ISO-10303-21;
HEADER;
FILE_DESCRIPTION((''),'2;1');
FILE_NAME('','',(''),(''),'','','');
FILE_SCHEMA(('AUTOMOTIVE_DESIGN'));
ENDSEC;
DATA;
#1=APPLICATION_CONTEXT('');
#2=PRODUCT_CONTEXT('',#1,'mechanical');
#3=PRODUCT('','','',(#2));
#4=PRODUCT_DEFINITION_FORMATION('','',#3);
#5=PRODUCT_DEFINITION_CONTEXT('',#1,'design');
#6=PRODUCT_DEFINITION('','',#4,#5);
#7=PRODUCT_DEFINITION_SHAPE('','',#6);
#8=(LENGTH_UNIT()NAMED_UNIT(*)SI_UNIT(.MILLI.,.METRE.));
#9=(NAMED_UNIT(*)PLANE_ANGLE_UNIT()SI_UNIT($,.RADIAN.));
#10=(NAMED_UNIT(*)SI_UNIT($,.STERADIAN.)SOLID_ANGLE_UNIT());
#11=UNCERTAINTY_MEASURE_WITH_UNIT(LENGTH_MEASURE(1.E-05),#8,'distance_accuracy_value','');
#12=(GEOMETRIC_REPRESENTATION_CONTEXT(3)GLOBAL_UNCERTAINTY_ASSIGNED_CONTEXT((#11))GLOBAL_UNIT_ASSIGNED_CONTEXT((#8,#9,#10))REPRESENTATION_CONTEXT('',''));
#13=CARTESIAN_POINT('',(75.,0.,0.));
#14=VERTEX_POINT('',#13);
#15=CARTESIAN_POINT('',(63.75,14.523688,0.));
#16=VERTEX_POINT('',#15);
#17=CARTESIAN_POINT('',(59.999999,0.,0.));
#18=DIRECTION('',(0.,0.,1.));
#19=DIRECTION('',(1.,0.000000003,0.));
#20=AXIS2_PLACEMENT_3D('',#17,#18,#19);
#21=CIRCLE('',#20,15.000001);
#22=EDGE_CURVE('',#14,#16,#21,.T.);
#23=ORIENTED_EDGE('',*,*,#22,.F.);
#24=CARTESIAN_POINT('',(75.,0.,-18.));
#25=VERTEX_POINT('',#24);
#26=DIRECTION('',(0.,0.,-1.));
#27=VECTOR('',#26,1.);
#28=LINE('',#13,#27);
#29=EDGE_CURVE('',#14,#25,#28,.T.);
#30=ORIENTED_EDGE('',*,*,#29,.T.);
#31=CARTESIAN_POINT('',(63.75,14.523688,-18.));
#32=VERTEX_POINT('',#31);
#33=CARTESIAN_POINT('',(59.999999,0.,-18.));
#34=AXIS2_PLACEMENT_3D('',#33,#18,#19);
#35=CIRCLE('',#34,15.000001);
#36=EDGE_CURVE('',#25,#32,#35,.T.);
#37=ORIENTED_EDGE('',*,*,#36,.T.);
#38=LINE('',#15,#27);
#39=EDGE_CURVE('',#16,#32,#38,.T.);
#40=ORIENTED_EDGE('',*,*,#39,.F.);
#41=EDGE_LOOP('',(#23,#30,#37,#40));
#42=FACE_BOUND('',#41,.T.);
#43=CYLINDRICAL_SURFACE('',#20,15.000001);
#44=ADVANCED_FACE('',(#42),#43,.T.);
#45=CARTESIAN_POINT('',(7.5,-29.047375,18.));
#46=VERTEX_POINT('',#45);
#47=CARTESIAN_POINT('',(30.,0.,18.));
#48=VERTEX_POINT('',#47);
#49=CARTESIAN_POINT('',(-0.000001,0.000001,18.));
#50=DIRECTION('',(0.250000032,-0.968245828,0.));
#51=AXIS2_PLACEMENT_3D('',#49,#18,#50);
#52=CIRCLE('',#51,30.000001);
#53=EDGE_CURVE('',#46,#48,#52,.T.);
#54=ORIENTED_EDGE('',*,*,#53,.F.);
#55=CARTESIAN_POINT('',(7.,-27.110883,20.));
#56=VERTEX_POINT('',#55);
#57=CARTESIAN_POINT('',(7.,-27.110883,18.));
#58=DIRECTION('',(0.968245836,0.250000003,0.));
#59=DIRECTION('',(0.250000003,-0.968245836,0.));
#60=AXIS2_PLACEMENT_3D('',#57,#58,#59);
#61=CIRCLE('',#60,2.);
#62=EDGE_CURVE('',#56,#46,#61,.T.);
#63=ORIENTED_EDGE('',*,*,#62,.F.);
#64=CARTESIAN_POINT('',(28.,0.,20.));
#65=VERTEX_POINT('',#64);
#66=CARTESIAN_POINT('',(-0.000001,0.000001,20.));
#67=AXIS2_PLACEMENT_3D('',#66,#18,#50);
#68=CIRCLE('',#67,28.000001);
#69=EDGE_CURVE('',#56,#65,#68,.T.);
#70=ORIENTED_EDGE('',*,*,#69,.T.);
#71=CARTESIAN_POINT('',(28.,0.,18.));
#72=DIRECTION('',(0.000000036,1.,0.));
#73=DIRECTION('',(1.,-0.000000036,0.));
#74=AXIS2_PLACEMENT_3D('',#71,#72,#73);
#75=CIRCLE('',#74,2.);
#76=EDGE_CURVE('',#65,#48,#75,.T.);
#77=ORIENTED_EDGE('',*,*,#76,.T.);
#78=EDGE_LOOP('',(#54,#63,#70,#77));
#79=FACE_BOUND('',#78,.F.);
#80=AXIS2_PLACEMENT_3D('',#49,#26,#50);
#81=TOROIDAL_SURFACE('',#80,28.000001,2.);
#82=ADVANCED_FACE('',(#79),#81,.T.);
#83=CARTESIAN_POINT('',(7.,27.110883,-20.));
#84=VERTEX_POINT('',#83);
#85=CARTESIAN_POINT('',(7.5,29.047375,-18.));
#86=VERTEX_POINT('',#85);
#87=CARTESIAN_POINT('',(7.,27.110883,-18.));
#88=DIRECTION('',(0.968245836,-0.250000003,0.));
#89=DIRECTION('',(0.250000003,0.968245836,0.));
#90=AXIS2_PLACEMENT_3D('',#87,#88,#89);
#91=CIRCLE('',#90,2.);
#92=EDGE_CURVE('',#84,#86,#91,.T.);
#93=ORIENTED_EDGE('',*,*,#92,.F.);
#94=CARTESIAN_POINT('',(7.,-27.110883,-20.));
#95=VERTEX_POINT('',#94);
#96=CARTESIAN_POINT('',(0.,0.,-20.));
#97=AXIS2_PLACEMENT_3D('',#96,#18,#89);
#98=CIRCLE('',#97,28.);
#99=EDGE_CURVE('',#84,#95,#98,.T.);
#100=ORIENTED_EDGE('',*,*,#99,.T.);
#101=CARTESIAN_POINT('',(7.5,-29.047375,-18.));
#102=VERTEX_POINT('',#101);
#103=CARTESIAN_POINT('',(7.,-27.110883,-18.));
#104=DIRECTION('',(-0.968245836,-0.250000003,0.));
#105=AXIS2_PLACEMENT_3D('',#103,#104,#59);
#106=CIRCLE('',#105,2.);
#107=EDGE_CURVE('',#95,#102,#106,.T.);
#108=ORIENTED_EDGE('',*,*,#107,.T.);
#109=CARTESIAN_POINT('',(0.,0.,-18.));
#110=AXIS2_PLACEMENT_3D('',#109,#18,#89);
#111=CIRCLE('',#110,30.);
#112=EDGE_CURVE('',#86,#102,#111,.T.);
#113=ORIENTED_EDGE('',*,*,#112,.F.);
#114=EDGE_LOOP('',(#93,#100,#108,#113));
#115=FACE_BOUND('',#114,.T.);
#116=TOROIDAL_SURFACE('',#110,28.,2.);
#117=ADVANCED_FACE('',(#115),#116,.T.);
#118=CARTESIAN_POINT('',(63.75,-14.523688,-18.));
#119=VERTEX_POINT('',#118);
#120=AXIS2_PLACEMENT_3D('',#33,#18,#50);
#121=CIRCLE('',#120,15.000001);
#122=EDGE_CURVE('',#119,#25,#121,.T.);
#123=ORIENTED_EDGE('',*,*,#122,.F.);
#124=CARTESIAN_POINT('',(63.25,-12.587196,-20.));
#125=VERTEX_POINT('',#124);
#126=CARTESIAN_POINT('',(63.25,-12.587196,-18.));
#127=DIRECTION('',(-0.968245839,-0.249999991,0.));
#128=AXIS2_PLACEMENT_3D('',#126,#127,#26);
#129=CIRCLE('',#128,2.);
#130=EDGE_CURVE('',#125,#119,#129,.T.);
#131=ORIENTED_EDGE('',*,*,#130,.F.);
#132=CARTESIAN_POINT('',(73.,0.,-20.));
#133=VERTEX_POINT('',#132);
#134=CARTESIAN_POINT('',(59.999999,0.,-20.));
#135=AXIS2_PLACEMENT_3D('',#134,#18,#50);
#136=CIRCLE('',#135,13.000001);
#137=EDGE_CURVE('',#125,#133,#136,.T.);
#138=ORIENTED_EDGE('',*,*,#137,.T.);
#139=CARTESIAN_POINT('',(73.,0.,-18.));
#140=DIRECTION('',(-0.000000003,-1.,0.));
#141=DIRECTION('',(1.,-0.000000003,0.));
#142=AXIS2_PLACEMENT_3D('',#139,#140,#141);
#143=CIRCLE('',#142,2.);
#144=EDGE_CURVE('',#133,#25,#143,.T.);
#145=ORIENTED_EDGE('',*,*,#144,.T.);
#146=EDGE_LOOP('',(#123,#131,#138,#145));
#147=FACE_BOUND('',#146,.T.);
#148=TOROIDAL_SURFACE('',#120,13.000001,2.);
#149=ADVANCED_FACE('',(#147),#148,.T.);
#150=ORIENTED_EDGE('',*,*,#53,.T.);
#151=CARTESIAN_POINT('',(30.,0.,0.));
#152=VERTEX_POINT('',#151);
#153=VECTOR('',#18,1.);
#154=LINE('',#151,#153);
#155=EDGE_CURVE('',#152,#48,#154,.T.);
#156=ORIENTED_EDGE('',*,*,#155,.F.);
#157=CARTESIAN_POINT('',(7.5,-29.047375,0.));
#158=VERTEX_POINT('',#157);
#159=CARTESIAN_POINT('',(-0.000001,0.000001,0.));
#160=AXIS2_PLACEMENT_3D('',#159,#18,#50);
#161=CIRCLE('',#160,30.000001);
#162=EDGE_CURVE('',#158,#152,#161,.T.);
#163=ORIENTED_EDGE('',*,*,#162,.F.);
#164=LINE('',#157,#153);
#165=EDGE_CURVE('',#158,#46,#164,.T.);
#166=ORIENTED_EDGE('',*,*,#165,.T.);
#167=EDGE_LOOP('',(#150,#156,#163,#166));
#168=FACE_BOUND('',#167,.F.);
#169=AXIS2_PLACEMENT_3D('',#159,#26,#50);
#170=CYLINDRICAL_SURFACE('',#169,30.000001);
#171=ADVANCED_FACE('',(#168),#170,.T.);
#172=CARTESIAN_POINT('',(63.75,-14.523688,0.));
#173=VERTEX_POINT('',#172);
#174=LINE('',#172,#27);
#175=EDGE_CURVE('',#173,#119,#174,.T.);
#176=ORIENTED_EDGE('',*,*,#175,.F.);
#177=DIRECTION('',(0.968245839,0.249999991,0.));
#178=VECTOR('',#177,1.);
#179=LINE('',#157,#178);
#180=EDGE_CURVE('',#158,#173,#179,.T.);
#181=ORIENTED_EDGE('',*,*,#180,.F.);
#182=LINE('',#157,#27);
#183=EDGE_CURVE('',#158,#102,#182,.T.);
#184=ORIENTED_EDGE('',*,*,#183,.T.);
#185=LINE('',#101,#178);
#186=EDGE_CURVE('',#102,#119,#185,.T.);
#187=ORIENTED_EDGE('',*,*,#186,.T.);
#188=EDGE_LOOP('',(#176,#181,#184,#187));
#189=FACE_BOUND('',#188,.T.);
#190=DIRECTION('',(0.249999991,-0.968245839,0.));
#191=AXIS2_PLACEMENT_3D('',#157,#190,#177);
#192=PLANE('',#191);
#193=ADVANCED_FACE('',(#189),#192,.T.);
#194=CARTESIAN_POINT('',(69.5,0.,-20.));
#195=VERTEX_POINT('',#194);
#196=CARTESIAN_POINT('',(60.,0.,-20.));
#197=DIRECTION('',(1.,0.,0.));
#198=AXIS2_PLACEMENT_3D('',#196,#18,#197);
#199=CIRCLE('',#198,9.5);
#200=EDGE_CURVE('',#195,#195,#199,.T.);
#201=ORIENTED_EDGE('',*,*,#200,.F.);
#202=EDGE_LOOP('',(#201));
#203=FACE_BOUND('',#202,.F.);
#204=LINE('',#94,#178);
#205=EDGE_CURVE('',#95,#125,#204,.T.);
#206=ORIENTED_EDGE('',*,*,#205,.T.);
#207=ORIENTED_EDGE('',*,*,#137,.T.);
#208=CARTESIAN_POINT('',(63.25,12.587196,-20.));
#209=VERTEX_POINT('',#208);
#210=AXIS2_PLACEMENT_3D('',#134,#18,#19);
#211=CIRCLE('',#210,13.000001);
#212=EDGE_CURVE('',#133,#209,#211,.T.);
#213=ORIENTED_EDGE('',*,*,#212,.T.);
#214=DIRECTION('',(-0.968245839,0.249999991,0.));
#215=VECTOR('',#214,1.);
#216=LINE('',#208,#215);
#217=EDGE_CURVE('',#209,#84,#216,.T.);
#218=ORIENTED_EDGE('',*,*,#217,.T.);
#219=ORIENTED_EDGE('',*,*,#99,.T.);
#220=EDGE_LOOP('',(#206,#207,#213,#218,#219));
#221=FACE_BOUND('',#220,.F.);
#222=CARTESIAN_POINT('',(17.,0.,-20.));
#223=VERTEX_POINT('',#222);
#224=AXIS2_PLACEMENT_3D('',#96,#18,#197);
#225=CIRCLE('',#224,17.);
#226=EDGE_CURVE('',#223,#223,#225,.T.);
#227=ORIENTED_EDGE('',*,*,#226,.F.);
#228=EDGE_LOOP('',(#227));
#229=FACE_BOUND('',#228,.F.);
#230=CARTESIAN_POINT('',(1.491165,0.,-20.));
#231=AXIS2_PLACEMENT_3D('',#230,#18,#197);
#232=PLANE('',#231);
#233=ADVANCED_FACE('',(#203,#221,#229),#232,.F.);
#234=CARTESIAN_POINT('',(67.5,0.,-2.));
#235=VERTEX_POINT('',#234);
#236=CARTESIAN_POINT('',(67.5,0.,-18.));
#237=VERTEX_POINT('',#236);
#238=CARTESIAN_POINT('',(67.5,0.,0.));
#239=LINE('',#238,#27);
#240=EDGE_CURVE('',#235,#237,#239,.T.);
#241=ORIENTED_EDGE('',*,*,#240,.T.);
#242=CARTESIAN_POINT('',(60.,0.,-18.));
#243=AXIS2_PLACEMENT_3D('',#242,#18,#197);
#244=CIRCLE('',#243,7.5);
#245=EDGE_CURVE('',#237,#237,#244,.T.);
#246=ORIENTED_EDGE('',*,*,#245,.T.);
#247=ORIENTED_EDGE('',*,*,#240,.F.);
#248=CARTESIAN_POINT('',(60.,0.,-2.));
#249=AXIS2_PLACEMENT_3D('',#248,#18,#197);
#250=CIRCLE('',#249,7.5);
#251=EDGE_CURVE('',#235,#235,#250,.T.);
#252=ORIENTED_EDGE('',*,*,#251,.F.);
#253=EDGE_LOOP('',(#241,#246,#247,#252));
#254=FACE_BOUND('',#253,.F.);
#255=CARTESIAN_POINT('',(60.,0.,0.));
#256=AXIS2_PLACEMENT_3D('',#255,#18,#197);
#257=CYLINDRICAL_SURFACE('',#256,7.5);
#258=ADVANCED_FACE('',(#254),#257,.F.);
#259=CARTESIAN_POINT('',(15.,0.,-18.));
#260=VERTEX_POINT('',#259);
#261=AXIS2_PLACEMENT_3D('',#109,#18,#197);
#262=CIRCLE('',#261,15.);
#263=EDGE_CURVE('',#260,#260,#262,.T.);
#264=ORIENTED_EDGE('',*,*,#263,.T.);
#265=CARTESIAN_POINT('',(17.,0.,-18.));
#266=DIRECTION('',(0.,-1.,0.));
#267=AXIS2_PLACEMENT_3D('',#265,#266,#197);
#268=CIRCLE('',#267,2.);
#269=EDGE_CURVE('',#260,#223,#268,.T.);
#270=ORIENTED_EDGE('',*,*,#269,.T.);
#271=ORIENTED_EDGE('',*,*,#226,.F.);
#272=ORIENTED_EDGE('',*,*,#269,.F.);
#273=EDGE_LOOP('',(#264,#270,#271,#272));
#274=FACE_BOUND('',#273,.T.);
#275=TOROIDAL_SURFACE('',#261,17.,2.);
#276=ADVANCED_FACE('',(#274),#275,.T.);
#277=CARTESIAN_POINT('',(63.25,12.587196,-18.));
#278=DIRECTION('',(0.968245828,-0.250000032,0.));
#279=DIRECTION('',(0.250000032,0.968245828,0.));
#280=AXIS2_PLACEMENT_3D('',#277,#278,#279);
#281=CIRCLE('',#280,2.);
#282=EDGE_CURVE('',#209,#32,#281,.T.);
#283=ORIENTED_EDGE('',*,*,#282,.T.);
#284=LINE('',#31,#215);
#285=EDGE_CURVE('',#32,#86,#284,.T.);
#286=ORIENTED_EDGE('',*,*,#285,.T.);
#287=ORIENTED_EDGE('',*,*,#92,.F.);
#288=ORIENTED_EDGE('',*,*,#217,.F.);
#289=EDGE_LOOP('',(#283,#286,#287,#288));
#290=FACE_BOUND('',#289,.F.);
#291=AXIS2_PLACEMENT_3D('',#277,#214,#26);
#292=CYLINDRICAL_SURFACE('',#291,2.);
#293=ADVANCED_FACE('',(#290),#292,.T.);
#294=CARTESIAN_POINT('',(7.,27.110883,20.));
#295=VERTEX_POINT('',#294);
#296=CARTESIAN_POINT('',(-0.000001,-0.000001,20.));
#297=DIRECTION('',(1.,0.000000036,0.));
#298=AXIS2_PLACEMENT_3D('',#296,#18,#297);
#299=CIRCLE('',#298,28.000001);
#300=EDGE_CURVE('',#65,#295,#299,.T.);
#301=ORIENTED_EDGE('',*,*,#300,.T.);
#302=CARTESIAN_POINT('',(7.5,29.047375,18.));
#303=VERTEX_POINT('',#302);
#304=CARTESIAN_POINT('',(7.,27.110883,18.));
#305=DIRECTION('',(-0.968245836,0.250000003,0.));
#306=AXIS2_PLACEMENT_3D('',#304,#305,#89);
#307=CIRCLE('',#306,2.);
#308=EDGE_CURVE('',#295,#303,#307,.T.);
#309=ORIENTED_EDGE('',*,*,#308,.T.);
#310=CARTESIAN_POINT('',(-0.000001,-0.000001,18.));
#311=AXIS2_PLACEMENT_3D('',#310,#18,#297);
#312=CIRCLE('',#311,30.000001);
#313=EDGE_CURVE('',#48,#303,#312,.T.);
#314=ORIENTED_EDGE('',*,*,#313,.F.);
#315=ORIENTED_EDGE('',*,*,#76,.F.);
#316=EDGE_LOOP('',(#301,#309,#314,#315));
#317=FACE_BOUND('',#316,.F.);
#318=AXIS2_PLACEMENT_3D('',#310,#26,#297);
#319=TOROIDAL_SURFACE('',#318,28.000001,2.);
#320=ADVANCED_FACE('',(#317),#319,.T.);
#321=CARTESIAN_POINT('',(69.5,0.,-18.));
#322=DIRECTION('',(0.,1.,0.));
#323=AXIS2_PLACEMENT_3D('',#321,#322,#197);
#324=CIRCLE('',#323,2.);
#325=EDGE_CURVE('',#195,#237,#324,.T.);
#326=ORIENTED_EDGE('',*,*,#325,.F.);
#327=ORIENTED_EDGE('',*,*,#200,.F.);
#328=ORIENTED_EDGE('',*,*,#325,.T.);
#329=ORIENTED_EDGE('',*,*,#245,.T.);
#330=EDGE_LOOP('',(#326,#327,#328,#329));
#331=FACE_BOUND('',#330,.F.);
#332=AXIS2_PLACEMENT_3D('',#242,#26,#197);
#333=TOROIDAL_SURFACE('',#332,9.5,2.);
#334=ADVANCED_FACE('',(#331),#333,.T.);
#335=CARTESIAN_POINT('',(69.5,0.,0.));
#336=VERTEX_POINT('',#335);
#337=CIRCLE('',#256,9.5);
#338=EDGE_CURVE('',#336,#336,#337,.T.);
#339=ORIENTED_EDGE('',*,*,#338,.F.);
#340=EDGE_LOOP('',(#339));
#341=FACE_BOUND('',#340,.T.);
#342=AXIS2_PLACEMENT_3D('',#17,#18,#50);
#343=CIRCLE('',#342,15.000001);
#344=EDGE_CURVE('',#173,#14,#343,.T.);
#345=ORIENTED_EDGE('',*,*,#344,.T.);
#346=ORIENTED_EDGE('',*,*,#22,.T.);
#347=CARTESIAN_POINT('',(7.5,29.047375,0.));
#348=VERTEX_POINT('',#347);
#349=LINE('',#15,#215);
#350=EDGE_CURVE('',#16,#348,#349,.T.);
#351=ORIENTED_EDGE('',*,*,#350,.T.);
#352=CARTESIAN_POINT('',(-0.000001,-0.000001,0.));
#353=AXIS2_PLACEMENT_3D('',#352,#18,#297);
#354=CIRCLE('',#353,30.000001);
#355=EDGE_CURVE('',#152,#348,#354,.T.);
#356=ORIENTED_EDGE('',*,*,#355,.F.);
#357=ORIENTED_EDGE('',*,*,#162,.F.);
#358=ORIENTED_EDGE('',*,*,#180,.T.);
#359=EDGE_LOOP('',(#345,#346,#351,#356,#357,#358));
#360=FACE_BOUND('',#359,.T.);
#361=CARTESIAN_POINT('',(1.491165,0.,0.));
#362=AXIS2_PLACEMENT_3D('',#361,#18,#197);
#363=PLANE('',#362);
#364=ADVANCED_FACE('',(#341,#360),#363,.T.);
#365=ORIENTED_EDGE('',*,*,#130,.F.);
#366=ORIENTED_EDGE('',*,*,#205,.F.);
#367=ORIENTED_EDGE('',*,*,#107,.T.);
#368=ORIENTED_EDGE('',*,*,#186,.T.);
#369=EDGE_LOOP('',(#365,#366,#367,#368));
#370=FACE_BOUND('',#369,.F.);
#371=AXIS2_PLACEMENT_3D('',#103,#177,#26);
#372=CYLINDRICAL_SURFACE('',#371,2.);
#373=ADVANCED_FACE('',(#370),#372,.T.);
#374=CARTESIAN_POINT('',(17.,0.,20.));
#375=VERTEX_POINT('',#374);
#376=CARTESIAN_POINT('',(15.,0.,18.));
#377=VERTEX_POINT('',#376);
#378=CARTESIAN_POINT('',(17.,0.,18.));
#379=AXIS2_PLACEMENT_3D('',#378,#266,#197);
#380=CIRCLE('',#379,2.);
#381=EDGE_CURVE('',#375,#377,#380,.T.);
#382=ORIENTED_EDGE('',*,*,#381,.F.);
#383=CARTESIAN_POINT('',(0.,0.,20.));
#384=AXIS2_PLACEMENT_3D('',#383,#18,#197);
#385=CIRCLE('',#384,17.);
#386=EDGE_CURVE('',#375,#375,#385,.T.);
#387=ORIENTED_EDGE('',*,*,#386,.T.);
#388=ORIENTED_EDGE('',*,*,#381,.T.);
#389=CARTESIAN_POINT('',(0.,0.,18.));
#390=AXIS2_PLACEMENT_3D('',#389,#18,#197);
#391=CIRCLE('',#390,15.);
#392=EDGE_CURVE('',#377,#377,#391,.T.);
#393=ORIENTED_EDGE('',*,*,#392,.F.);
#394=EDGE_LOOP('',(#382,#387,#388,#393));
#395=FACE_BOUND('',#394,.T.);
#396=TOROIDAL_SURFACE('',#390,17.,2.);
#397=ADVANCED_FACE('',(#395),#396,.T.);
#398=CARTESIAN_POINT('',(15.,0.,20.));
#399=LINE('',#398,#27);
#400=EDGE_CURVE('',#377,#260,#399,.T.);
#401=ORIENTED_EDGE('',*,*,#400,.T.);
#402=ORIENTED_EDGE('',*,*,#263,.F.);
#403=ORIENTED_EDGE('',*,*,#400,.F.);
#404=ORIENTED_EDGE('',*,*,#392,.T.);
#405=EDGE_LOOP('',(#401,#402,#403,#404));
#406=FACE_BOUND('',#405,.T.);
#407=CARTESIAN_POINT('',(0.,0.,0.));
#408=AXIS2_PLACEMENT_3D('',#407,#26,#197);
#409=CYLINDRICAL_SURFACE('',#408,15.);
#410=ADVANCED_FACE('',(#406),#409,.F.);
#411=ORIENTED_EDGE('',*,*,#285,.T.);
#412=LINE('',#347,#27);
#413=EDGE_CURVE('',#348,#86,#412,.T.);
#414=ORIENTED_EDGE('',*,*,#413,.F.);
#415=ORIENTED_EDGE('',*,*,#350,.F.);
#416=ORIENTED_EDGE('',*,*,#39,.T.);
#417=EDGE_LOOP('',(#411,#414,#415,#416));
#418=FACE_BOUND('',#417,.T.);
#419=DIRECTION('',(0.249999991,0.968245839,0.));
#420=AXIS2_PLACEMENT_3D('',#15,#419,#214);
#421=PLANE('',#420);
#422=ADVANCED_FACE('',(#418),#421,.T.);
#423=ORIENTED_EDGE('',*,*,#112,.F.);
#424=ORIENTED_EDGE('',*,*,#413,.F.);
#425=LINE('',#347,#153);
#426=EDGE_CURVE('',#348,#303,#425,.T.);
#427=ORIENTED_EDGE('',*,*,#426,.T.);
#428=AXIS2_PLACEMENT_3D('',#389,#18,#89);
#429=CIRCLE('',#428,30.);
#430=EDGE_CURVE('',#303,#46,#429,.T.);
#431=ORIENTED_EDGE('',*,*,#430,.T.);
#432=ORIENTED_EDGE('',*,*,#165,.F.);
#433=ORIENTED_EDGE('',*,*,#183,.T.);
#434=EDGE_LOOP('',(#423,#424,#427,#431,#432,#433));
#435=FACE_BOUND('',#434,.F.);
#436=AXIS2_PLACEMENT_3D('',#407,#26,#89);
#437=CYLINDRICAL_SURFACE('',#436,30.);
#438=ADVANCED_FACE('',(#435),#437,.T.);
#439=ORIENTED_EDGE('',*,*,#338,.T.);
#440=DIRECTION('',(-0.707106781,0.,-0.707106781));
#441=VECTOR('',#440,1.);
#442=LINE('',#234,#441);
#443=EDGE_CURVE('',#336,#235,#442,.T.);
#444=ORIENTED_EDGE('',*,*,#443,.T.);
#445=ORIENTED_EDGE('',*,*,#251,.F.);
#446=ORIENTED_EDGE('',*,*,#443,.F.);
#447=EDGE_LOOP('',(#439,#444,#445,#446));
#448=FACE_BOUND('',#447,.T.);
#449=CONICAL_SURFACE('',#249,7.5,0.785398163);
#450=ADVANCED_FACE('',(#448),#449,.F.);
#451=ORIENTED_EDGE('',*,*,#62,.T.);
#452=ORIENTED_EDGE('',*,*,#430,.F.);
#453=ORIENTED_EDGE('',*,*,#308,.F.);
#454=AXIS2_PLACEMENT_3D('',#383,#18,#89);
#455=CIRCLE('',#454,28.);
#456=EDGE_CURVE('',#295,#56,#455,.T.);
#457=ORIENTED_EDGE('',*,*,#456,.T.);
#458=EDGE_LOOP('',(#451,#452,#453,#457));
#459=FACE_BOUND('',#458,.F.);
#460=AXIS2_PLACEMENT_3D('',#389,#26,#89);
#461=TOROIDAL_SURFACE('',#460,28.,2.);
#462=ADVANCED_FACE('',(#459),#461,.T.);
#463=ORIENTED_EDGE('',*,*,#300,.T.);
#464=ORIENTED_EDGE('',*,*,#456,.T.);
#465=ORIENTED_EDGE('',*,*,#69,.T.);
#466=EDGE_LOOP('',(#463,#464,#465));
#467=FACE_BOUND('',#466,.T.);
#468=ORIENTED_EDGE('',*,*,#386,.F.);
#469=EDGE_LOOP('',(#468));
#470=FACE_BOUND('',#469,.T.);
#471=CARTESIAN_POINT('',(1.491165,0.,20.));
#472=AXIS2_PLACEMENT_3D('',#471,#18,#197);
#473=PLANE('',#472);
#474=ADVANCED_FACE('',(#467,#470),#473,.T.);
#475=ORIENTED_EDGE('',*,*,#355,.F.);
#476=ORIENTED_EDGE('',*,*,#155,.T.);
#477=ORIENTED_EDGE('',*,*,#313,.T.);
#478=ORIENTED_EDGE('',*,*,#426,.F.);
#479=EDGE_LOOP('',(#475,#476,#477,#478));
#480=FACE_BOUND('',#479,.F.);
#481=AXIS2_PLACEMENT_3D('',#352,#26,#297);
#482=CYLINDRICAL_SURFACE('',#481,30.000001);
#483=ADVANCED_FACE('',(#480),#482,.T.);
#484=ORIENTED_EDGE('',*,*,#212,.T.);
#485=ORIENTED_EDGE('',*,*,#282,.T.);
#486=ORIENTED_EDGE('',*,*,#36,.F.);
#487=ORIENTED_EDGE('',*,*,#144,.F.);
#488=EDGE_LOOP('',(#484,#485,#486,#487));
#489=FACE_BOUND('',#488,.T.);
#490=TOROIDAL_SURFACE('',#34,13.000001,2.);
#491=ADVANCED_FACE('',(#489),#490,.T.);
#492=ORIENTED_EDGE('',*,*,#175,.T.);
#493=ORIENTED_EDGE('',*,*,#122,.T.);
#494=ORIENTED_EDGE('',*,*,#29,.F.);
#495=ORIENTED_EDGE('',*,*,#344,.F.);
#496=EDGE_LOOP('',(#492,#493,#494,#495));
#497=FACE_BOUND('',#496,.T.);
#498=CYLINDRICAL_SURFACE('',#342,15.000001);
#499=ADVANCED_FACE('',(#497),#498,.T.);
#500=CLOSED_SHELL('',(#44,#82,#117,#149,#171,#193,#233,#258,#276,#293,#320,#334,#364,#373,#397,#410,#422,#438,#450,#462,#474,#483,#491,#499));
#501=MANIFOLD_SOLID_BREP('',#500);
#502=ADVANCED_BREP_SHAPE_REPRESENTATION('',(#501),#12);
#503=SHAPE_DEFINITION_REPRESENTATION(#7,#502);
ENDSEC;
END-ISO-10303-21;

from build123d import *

# Parameters (mm, degrees)
F0_R     = 15
F0_R_2   = 7.5
F1_DEPTH = 20
F2_DEPTH = 20
F3_R     = 2
F4_SIZE  = 2


with BuildPart() as f1:
    # F0 (on Top) → F1 (new body)
    with BuildSketch(Plane.XY):
        with BuildLine():
            ThreePointArc((7.5, -29.047375), (23.717082, -18.371173), (30, 0))
            ThreePointArc((30, 0), (23.717082, 18.371173), (7.5, 29.047375))
            ThreePointArc((7.5, 29.047375), (-30, 0), (7.5, -29.047375))
        make_face()
        Circle(F0_R, mode=Mode.SUBTRACT)
        with BuildLine():
            ThreePointArc((7.5, 29.047375), (23.717082, 18.371173), (30, 0))
            ThreePointArc((30, 0), (23.717082, -18.371173), (7.5, -29.047375))
            Line((7.5, -29.047375), (63.75, -14.523688))
            ThreePointArc((63.75, -14.523688), (45, 0), (63.75, 14.523688))
            Line((63.75, 14.523688), (7.5, 29.047375))
        make_face()
        with BuildLine():
            ThreePointArc((75, 0), (71.858541, 9.185587), (63.75, 14.523688))
            ThreePointArc((63.75, 14.523688), (45, 0), (63.75, -14.523688))
            ThreePointArc((63.75, -14.523688), (71.858541, -9.185587), (75, 0))
        make_face()
        with Locations((60, 0)):
            Circle(F0_R_2, mode=Mode.SUBTRACT)
    extrude(amount=-F1_DEPTH)

    # F0 (on Top) → F2 (join)
    with BuildSketch(Plane.XY):
        with BuildLine():
            ThreePointArc((7.5, -29.047375), (23.717082, -18.371173), (30, 0))
            ThreePointArc((30, 0), (23.717082, 18.371173), (7.5, 29.047375))
            ThreePointArc((7.5, 29.047375), (-30, 0), (7.5, -29.047375))
        make_face()
        Circle(F0_R, mode=Mode.SUBTRACT)
    extrude(amount=F2_DEPTH)

    # F3
    f3_edges = [f1.edges().sort_by_distance(p)[0] for p in [
        (-7.5, 29.047375, 20),
        (-15, 0, 20),
        (-30, 0, -20),
        (35.625, -21.785531, -20),
        (75, 0, -20),
        (35.625, 21.785531, -20),
        (-15, 0, -20),
        (52.5, 0, -20),
    ]]
    fillet(f3_edges, radius=F3_R)

    # F4
    f4_edges = [f1.edges().sort_by_distance(p)[0] for p in [
        (67.5, 0, -9),
        (52.5, 0, -18),
        (52.5, 0, 0),
    ]]
    chamfer(f4_edges, length=F4_SIZE)


solid = f1.part
